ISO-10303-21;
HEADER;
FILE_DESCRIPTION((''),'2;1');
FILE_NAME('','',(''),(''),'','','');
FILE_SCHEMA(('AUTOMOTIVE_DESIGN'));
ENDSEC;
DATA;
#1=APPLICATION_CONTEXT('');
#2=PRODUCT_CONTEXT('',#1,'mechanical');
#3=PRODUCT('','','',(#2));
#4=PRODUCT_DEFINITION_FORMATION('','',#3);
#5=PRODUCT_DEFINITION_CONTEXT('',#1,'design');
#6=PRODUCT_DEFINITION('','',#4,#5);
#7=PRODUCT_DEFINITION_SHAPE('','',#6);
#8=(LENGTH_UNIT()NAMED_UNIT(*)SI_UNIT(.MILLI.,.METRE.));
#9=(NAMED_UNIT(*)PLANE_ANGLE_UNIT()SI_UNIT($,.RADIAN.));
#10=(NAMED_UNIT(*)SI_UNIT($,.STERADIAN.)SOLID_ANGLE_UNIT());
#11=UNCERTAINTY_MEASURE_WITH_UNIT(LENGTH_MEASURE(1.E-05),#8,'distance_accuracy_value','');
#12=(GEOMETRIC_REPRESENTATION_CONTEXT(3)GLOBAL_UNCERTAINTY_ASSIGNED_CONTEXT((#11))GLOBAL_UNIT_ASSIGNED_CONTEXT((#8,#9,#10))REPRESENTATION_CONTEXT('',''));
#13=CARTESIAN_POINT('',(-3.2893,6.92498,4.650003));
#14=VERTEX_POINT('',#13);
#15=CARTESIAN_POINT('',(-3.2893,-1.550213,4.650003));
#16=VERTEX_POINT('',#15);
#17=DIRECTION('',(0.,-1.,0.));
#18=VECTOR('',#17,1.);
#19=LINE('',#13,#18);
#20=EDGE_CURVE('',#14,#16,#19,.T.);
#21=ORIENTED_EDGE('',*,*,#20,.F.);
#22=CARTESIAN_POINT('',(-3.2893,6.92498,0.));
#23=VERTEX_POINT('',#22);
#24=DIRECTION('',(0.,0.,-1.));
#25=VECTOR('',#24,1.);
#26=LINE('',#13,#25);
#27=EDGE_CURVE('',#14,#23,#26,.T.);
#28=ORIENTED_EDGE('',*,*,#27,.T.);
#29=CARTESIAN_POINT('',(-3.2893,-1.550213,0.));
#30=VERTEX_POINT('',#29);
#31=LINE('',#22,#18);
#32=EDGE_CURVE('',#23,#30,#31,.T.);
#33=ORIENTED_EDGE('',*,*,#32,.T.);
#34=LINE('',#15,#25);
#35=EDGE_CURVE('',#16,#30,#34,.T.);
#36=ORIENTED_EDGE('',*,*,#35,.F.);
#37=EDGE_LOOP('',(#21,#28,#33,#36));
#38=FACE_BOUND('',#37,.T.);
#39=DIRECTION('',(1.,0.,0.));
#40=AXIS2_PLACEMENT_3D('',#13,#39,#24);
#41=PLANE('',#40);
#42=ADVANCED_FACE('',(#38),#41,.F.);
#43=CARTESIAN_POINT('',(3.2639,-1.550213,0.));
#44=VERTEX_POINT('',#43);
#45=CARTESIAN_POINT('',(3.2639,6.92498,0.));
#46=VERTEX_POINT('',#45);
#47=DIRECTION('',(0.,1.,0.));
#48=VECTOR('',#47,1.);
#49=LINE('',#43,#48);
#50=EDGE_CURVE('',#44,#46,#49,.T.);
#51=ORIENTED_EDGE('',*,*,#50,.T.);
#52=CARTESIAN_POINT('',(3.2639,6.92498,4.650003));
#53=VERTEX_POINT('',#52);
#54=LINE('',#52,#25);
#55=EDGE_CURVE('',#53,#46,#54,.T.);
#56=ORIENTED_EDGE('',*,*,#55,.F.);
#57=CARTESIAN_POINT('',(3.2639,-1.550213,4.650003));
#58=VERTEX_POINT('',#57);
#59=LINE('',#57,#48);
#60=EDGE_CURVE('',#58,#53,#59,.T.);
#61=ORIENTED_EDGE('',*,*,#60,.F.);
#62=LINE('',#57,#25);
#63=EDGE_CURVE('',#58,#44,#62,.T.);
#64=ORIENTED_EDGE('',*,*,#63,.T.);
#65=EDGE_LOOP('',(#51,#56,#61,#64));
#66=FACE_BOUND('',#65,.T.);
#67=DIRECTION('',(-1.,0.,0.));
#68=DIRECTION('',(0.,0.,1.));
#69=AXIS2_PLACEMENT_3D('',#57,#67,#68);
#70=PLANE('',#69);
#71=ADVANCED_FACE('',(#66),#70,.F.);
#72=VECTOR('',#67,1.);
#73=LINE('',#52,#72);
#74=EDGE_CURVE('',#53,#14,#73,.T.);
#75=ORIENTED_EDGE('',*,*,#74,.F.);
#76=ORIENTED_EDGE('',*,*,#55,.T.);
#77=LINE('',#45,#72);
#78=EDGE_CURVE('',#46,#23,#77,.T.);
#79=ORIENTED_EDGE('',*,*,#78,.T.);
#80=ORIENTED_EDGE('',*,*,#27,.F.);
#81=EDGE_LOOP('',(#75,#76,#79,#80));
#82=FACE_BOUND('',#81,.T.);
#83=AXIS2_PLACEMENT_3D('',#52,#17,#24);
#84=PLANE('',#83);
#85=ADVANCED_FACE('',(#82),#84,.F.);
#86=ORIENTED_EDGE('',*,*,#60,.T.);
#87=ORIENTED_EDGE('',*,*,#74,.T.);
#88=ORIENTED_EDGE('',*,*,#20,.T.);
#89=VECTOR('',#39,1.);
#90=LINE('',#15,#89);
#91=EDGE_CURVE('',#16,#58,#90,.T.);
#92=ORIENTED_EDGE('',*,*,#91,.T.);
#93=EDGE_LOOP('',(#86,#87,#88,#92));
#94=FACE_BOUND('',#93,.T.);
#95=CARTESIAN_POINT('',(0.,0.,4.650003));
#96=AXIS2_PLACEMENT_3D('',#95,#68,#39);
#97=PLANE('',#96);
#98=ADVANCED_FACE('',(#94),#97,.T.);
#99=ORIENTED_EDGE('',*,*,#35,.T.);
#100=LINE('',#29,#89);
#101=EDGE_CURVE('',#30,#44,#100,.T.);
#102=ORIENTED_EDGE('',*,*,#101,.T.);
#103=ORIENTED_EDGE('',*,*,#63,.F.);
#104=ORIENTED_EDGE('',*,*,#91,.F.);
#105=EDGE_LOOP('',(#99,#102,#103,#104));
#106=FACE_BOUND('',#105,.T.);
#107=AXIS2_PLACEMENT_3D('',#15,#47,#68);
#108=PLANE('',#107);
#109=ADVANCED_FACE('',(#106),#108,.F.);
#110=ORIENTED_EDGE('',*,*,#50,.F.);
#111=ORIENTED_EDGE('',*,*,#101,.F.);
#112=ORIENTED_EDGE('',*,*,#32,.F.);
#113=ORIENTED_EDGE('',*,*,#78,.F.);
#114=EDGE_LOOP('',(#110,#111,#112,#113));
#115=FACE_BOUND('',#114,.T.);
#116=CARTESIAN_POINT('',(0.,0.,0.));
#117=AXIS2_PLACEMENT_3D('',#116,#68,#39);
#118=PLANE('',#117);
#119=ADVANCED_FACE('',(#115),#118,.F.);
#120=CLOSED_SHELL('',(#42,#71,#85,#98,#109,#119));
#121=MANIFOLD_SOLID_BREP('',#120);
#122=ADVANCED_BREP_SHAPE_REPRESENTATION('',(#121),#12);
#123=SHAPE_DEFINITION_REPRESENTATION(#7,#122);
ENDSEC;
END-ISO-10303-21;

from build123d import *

# Parameters (mm, degrees)
SKETCH1_W               = 6.5532
SKETCH1_H               = 8.4751926
COMPONENT_OUTLINE_DEPTH = 4.6500034


with BuildPart() as part:
    # Sketch1 → Component_Outline (new body)
    with BuildSketch(Plane.XY):
        with Locations((-0.0127, 2.6873835)):
            Rectangle(SKETCH1_W, SKETCH1_H)
    extrude(amount=COMPONENT_OUTLINE_DEPTH)


solid = part.part
